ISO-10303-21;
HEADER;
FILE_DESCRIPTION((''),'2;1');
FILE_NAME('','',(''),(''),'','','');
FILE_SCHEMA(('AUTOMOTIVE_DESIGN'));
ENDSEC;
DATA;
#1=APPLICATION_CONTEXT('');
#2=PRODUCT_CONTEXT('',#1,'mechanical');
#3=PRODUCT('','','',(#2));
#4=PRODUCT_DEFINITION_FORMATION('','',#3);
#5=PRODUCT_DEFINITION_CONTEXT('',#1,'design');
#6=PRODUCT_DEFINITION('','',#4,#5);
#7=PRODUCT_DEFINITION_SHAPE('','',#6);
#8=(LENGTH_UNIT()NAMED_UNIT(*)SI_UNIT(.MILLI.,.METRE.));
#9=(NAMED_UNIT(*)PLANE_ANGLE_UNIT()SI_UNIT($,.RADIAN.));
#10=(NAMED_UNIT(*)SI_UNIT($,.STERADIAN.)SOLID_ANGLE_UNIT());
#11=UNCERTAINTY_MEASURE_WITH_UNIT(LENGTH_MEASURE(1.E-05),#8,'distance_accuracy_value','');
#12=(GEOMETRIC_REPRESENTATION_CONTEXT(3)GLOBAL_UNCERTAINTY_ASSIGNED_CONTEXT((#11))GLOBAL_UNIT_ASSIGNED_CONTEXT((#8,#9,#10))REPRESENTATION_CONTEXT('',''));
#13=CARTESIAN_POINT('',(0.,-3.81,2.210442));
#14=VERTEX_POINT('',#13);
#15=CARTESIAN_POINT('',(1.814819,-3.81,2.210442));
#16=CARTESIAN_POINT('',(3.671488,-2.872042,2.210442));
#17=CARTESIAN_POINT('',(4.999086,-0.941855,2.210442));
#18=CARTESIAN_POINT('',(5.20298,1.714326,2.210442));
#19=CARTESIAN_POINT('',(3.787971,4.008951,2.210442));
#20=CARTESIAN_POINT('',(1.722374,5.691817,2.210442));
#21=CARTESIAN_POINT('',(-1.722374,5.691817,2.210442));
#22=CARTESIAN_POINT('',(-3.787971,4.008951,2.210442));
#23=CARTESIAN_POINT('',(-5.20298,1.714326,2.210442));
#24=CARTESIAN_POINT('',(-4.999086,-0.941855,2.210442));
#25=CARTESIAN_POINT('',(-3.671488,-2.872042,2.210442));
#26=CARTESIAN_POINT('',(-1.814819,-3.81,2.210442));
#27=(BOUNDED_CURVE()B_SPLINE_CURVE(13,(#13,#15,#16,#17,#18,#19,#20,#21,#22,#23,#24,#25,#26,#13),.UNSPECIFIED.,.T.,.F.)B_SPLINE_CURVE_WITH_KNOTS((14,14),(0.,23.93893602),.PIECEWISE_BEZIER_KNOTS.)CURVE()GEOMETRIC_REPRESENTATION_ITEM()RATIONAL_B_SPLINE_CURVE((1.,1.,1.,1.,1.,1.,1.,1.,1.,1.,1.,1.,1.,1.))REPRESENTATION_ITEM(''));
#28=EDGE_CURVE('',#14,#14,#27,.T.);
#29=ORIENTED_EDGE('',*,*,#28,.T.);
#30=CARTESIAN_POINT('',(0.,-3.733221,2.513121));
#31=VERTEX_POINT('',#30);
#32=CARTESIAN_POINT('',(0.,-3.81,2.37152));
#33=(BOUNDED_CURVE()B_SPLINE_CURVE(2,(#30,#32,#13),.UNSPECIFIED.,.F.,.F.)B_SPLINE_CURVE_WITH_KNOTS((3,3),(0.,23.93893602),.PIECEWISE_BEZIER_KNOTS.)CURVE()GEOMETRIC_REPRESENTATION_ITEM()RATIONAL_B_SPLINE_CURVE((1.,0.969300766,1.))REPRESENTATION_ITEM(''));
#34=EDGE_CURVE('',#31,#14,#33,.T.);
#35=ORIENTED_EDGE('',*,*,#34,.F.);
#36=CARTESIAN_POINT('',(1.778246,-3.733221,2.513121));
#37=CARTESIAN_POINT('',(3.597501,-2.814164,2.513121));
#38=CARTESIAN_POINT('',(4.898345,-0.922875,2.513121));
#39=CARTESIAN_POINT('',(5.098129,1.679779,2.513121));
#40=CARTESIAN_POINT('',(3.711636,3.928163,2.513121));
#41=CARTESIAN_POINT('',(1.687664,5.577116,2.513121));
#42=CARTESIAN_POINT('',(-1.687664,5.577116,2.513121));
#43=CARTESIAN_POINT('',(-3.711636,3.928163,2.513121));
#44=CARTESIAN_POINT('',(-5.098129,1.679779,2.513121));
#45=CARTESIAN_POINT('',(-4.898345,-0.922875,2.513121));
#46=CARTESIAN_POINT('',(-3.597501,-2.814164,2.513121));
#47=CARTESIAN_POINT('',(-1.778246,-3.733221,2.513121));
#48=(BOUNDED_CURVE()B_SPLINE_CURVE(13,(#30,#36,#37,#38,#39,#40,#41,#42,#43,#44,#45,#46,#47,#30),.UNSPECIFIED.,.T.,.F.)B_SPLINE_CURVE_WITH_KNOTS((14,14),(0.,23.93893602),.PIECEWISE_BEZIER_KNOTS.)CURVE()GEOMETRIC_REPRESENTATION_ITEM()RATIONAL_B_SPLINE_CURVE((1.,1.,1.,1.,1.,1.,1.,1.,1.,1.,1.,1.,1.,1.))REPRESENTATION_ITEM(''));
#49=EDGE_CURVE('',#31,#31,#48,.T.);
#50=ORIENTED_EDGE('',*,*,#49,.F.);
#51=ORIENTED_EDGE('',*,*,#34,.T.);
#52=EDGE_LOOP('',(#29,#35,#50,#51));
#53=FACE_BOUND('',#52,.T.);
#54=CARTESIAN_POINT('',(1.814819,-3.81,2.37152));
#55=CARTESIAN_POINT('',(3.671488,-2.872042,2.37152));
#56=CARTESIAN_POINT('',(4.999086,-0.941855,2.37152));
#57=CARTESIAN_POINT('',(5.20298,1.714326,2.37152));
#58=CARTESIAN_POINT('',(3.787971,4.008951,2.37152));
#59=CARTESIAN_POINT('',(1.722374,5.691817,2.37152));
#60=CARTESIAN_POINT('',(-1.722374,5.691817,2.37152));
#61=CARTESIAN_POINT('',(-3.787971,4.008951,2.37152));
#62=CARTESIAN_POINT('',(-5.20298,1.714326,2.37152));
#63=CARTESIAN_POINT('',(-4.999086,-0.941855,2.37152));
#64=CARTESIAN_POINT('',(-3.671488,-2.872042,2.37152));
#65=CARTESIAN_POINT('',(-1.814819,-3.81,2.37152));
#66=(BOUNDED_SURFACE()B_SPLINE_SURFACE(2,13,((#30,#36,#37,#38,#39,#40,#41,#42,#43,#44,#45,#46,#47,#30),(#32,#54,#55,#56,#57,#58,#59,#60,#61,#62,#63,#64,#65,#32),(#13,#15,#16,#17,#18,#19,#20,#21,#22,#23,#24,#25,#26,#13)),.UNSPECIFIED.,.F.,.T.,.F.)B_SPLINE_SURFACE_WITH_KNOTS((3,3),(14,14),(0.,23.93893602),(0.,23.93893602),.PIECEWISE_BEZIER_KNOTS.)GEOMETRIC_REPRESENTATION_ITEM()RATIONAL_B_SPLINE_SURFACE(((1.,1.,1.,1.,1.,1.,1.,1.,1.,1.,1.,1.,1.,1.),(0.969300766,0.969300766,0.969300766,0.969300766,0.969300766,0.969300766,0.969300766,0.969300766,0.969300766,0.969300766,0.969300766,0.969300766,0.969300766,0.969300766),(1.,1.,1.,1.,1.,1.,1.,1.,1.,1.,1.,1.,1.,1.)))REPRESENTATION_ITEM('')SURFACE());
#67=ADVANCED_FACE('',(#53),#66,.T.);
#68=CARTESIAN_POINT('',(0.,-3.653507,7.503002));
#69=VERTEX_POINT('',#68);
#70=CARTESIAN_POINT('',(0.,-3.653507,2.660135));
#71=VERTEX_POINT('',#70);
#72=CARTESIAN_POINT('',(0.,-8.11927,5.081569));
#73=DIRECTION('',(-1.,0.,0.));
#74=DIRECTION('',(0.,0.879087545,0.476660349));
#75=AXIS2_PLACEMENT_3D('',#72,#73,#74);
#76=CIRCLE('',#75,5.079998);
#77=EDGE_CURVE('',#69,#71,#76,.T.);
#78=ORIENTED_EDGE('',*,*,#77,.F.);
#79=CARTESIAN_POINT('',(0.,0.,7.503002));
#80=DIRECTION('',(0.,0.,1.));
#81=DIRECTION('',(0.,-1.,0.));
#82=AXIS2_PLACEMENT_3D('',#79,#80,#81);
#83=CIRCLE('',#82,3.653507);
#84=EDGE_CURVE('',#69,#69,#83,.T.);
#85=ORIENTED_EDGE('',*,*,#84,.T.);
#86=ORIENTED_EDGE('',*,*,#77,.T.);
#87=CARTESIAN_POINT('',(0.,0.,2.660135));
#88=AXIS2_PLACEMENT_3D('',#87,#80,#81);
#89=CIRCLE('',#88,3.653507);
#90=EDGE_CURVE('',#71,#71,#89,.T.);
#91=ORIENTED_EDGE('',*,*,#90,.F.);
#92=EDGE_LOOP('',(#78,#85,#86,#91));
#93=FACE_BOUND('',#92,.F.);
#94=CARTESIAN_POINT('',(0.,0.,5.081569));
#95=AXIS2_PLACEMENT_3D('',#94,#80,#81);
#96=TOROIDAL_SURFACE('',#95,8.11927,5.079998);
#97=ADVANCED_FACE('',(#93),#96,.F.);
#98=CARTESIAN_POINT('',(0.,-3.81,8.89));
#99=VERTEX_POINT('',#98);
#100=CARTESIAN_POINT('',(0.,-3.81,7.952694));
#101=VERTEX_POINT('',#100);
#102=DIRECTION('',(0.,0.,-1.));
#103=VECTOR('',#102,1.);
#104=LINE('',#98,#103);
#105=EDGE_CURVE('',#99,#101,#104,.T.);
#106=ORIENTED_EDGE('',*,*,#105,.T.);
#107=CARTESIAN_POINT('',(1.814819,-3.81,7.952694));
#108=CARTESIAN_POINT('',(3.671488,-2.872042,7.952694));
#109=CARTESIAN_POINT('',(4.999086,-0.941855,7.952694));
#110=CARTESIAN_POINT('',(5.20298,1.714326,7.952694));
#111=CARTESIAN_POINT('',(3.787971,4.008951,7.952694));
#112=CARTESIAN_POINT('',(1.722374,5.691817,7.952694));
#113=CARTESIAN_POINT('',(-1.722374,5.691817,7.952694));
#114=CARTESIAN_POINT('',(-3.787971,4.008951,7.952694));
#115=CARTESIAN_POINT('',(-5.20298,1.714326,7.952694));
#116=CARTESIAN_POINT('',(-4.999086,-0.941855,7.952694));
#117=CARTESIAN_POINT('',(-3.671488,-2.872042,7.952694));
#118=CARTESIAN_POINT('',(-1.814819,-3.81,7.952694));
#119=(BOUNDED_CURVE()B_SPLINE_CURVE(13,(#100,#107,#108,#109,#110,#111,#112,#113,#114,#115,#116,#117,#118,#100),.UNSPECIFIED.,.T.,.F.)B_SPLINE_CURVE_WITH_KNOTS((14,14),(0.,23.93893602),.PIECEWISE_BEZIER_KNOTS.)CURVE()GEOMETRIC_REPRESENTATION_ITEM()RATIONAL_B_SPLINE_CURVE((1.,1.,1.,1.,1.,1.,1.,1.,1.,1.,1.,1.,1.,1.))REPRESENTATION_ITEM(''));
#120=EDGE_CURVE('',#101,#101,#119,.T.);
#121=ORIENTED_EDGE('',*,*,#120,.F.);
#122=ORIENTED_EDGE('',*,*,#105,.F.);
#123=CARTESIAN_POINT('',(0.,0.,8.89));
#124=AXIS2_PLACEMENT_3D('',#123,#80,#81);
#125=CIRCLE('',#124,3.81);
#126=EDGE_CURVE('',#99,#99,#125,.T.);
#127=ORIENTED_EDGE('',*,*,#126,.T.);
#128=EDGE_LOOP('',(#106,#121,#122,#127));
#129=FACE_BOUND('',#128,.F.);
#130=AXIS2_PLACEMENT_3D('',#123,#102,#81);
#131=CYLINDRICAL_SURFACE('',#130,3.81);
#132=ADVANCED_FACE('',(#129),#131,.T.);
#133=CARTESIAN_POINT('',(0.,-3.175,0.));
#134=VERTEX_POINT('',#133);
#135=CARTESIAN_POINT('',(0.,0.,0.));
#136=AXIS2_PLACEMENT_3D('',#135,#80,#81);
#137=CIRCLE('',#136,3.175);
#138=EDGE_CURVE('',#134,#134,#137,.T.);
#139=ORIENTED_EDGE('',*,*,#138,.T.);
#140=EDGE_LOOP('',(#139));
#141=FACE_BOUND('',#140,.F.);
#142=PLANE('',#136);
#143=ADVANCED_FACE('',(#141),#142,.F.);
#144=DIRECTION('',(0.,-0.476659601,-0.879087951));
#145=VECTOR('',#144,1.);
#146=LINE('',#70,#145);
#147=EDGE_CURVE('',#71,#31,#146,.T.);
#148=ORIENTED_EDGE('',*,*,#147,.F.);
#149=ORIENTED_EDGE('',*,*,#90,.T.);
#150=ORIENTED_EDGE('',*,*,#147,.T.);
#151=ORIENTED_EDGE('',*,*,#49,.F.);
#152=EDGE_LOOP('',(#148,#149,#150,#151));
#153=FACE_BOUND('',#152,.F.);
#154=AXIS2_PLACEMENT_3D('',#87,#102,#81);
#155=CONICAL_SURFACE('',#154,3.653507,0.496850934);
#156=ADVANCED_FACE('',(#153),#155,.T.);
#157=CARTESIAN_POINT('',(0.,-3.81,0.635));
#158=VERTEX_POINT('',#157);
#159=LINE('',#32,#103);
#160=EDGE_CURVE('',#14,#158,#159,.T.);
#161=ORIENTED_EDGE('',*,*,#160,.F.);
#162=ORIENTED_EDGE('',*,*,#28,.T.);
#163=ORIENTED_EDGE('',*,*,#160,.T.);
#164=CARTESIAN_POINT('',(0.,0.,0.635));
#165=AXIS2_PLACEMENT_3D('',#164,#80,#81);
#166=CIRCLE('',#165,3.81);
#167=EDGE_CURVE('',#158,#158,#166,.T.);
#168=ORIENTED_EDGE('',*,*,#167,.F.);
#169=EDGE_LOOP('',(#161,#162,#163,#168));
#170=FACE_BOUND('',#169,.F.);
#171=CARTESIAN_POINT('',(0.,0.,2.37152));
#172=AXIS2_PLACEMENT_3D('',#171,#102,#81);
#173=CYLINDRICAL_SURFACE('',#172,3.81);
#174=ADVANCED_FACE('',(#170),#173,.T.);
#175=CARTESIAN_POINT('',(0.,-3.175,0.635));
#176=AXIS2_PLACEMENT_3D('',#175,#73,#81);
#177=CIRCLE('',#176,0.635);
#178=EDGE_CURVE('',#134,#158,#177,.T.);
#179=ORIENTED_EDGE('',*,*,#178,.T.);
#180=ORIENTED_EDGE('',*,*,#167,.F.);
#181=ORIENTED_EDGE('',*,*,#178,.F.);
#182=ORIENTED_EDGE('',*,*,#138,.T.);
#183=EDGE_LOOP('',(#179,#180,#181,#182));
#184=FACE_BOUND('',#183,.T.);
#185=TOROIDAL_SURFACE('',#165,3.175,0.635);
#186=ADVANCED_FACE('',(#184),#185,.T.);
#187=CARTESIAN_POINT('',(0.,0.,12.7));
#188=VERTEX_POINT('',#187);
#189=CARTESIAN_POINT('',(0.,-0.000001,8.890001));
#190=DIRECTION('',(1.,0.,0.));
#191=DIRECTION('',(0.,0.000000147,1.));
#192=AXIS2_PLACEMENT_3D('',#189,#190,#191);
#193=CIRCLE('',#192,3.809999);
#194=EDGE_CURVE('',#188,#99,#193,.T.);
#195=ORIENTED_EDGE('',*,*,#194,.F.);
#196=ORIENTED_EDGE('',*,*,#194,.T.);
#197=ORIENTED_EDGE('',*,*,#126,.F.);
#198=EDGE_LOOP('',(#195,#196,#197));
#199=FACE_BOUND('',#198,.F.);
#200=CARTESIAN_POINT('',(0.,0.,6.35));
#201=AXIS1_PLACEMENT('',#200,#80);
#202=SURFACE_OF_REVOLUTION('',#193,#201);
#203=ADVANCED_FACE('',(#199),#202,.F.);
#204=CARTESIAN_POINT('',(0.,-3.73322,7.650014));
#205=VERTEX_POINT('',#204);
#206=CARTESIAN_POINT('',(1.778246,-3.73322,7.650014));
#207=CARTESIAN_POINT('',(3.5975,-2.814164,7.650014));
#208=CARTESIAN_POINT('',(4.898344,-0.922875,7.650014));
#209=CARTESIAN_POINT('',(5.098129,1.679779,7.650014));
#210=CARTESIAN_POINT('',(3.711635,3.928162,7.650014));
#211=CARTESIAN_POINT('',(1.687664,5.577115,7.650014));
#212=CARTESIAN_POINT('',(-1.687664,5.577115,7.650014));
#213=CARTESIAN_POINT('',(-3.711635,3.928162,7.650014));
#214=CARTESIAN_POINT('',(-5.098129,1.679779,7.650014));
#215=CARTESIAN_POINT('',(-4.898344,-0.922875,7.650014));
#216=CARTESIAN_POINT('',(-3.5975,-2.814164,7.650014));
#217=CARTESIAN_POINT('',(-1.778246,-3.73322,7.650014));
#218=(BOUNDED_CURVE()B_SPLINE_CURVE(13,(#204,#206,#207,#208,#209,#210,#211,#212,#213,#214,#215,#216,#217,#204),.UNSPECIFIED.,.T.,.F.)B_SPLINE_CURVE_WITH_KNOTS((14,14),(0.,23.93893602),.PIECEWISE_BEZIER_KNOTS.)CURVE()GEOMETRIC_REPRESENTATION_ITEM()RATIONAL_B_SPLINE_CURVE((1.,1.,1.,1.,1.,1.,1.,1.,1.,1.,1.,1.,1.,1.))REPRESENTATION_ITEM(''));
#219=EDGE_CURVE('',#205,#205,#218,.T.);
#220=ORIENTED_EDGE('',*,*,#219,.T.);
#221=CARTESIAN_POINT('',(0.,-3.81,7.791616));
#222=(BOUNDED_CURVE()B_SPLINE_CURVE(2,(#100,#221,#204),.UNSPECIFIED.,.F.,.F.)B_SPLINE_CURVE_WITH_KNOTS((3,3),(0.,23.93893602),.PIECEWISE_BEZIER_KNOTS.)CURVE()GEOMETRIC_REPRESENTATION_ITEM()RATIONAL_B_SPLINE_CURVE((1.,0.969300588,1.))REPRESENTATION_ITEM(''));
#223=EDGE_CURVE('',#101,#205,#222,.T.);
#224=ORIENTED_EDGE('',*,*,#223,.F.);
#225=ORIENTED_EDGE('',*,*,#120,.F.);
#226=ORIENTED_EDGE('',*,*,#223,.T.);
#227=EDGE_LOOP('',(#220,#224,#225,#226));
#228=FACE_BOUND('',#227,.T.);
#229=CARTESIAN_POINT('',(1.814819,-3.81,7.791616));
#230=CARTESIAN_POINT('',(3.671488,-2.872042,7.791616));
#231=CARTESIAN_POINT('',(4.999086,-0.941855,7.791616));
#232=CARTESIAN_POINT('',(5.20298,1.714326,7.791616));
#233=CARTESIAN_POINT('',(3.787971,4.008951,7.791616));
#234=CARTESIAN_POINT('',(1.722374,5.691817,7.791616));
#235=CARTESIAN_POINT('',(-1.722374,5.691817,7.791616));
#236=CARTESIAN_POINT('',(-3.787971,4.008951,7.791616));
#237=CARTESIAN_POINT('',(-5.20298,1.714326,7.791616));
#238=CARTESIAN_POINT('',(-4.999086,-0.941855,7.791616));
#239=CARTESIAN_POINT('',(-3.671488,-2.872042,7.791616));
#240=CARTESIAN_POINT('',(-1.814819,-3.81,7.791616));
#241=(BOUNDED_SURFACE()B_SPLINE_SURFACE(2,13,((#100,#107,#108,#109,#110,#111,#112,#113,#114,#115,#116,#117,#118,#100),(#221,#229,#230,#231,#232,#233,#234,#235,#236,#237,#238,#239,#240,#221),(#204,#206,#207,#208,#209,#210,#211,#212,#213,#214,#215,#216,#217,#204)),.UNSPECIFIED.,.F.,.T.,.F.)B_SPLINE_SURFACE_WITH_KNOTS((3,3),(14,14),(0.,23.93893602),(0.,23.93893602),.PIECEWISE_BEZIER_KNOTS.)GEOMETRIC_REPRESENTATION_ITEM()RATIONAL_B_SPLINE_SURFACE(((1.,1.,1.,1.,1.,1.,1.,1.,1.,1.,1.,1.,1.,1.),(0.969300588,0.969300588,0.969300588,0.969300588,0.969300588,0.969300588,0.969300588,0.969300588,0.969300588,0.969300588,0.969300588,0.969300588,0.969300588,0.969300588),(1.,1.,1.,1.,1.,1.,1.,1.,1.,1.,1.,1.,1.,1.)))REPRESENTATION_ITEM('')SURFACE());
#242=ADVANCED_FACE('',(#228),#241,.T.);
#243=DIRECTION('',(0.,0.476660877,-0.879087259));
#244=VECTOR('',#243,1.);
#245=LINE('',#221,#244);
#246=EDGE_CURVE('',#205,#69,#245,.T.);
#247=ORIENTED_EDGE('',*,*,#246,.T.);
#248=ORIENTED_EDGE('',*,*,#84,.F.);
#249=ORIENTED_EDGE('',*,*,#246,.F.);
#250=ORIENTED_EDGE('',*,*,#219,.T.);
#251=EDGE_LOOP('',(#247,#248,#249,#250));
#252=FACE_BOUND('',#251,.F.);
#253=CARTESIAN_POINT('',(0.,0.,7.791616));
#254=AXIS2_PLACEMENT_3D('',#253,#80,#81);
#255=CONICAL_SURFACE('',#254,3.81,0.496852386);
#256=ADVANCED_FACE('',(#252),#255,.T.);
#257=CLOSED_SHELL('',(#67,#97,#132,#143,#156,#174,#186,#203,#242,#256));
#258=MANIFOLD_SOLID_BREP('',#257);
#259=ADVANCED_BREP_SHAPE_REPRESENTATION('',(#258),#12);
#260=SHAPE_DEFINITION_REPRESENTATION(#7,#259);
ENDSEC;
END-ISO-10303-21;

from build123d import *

# Parameters (mm, degrees)
F2_R = 0.635


with BuildPart() as f1:
    # F0 (on Right) → F1 (revolve)
    with BuildSketch(Plane.YZ):
        with BuildLine():
            Line((-3.81, 0), (0, 0))
            Line((0, 0), (0, 12.7))
            ThreePointArc((0, 12.7), (-2.694077, 11.584077), (-3.81, 8.89))
            Line((-3.81, 8.89), (-3.81, 7.791616))
            Line((-3.81, 7.791616), (-3.653507, 7.503002))
            ThreePointArc((-3.653507, 7.503002), (-3.039272, 5.081568), (-3.653507, 2.660135))
            Line((-3.653507, 2.660135), (-3.81, 2.37152))
            Line((-3.81, 2.37152), (-3.81, 0))
        make_face()
    revolve(axis=Axis((0, 0, 6.35), (0, 0, 1)))

    # F2
    f2_edges = [f1.edges().sort_by_distance(p)[0] for p in [
        (0, 3.81, 0),
        (0, 3.81, 2.37152),
        (0, 3.81, 7.791616),
    ]]
    fillet(f2_edges, radius=F2_R)


solid = f1.part
